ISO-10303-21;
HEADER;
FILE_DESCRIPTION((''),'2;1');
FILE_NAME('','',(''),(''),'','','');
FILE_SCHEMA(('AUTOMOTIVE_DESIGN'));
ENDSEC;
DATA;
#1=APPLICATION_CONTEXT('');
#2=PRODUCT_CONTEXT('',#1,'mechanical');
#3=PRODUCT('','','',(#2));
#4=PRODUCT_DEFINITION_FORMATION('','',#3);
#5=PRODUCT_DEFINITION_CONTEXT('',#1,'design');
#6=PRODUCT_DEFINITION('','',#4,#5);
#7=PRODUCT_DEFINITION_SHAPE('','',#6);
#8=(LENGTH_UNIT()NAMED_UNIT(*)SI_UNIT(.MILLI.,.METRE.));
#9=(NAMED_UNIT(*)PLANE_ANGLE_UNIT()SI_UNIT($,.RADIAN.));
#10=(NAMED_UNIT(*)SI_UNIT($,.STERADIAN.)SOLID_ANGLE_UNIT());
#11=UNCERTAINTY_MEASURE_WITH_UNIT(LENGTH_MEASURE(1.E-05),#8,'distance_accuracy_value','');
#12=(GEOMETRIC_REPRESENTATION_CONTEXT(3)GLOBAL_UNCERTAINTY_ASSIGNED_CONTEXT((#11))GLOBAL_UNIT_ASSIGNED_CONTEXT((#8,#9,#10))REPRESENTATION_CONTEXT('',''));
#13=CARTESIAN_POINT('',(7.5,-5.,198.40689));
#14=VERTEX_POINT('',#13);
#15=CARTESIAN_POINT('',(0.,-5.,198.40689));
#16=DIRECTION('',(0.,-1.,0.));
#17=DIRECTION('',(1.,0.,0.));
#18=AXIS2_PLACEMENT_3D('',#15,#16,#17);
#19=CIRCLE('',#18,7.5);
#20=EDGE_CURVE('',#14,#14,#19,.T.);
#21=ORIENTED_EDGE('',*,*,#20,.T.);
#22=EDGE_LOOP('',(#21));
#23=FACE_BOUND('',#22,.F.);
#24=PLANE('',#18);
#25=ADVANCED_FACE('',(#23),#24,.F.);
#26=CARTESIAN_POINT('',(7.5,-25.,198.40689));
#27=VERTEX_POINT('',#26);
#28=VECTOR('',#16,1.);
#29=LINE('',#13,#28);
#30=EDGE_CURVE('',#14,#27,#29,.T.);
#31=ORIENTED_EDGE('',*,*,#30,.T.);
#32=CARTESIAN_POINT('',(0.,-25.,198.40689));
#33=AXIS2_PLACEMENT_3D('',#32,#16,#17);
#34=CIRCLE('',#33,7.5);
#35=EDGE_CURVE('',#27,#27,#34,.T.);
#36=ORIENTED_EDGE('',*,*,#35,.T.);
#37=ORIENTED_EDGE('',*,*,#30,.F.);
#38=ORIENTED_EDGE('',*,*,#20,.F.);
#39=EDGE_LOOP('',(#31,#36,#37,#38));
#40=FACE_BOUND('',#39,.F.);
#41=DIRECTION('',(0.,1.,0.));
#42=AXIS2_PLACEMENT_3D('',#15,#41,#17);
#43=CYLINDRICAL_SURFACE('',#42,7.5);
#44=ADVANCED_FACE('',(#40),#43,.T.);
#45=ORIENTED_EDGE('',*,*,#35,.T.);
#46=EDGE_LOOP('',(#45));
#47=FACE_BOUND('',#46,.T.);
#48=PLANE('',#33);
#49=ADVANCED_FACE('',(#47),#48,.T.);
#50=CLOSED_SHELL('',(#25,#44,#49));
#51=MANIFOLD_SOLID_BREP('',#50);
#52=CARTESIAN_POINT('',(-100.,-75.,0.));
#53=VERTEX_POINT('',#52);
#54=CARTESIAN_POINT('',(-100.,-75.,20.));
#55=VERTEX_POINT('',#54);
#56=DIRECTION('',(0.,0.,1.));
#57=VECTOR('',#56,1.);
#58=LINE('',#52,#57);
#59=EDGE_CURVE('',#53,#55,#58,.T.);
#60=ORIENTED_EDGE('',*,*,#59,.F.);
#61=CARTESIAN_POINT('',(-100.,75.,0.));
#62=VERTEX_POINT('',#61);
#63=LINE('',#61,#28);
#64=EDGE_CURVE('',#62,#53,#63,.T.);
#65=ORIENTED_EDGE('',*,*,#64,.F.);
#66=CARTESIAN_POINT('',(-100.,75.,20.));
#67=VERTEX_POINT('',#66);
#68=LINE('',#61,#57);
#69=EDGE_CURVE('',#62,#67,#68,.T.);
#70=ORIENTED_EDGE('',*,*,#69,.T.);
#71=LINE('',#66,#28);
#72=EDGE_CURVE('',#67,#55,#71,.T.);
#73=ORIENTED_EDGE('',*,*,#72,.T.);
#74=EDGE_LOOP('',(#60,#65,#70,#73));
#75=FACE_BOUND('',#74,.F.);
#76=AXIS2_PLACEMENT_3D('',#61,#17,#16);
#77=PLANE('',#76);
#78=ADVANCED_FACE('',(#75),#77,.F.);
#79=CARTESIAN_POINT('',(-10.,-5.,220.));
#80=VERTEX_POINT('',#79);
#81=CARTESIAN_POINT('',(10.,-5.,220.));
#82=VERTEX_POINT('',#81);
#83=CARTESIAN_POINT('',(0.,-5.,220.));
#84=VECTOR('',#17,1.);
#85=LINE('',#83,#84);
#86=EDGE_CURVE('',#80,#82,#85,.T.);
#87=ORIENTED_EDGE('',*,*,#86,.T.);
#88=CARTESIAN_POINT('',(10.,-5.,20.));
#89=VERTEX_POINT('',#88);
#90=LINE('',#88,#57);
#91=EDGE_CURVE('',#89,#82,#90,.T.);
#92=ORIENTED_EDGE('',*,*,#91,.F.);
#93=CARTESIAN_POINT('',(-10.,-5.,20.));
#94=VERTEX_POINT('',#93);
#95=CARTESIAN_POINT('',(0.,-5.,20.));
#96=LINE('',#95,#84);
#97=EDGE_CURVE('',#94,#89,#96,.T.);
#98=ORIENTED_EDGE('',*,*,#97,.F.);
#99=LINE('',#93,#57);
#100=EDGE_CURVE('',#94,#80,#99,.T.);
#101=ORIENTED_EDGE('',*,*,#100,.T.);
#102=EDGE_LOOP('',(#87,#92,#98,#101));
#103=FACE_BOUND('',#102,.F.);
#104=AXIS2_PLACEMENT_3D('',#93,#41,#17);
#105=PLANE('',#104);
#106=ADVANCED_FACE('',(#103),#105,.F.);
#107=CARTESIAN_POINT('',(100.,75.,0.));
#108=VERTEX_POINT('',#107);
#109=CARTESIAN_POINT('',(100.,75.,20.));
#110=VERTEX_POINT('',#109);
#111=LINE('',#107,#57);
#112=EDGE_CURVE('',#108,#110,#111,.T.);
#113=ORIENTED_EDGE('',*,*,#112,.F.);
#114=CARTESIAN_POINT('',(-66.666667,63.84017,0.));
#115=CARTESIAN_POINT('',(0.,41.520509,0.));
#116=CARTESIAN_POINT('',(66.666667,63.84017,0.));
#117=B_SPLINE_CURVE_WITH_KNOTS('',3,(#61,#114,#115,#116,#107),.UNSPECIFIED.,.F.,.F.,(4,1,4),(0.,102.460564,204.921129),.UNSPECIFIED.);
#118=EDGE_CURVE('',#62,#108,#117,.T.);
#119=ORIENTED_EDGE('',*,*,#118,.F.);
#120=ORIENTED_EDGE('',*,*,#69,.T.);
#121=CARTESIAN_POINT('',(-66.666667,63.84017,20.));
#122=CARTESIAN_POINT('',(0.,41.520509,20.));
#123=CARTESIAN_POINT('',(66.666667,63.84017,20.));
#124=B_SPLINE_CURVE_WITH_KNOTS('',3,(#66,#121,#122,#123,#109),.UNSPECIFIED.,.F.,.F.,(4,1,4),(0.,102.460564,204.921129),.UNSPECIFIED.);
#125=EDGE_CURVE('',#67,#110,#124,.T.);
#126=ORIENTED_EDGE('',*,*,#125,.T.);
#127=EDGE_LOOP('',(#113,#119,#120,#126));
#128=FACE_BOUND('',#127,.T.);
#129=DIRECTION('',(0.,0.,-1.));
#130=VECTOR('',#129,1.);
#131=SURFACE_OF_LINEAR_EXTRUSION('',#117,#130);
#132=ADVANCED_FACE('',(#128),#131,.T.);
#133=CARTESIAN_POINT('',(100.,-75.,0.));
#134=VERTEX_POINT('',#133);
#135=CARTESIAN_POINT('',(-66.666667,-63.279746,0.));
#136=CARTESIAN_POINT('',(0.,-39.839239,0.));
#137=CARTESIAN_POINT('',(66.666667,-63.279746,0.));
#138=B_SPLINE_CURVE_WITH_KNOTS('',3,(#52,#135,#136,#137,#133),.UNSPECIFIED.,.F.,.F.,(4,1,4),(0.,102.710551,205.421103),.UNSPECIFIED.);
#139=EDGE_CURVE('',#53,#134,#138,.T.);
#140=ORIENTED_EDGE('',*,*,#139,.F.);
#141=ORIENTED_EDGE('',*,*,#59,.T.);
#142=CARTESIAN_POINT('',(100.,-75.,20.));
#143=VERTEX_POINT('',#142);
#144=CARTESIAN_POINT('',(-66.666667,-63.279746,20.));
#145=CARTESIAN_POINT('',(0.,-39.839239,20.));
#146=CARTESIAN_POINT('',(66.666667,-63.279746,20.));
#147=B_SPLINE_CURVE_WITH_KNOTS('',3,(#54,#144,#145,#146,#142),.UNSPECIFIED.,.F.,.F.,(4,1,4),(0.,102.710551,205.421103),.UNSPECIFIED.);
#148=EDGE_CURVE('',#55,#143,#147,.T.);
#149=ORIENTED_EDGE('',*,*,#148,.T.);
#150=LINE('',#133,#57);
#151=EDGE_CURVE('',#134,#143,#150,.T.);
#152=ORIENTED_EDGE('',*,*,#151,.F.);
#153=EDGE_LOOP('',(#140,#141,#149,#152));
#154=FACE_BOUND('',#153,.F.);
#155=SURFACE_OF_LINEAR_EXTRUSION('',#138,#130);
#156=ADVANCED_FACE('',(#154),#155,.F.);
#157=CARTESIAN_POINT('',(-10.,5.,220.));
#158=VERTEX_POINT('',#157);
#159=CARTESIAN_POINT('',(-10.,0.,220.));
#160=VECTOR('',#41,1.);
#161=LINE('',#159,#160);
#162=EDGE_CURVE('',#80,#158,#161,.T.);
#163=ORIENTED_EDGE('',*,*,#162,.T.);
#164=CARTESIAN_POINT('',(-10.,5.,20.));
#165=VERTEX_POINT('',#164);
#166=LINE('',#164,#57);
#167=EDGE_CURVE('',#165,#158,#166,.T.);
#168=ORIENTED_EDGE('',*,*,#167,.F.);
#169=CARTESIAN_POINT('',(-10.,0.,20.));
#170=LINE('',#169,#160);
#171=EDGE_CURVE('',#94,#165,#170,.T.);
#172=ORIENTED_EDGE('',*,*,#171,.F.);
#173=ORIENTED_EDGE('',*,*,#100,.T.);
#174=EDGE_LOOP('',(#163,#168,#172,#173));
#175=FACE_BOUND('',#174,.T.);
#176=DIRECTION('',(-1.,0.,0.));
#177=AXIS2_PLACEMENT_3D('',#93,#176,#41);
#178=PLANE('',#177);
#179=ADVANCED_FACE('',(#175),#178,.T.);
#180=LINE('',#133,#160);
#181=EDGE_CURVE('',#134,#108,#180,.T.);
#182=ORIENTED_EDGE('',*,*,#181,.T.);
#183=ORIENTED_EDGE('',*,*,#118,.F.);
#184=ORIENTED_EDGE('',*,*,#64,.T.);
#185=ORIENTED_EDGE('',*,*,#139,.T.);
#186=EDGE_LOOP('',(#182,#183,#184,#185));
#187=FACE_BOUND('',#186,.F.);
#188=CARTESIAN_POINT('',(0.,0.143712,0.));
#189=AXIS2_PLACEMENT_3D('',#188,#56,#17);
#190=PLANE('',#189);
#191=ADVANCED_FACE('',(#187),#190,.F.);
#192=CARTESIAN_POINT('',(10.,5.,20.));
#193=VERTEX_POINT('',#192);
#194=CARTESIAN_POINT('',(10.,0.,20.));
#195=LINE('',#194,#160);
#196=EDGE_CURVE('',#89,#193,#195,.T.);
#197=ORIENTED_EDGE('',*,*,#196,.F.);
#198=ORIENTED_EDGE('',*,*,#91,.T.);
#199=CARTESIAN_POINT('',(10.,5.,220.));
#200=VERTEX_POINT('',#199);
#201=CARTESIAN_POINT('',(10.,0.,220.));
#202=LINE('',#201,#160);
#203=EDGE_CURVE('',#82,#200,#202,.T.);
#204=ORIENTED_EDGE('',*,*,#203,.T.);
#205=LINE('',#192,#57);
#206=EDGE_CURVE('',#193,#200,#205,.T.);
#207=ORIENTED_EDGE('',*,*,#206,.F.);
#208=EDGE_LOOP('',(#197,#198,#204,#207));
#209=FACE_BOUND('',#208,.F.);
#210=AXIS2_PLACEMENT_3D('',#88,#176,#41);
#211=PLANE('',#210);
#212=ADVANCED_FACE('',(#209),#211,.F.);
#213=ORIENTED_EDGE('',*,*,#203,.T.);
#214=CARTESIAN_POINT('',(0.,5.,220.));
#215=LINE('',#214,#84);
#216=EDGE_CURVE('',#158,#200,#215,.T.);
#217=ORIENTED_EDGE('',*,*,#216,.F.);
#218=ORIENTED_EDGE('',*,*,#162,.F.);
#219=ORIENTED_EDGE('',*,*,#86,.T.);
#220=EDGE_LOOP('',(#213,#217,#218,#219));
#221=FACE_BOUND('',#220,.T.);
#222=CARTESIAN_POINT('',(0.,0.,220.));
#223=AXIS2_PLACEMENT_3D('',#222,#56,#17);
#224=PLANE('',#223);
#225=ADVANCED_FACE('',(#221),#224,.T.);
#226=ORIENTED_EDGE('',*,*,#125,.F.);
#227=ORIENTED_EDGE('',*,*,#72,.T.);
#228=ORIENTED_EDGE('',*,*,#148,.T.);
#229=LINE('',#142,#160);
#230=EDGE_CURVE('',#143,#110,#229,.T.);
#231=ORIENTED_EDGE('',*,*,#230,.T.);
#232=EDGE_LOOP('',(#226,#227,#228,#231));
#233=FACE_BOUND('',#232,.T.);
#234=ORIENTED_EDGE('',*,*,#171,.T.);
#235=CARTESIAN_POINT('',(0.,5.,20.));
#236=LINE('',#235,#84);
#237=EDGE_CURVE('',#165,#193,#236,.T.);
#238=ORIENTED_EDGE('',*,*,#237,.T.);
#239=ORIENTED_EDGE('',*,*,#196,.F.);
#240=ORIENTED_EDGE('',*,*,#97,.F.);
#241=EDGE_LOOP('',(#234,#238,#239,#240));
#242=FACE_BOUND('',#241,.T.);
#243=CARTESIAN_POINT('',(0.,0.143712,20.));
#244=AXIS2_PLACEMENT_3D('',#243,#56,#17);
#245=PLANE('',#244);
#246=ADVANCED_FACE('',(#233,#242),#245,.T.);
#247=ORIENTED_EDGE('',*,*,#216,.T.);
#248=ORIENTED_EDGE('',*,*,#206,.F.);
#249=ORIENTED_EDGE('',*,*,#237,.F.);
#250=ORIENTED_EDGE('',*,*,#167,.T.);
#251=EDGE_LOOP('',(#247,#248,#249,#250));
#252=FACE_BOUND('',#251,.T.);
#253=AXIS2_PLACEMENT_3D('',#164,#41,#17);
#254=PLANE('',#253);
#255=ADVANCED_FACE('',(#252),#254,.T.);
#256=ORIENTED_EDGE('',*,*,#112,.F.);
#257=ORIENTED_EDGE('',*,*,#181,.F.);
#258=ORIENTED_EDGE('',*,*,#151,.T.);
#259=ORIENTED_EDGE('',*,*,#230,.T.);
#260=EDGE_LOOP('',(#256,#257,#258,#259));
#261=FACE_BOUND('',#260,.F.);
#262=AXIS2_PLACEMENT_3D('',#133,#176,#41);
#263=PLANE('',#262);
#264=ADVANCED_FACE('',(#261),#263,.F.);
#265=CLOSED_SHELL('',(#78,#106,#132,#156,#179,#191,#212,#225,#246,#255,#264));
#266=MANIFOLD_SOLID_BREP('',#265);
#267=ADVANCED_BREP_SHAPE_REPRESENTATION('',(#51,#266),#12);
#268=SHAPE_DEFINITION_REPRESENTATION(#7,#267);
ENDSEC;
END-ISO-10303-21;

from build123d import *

# Parameters (mm, degrees)
F1_DEPTH = 20
F2_W     = 20
F2_H     = 10
F3_DEPTH = 200
F4_R     = 7.5
F5_DEPTH = 20


with BuildPart() as f1:
    # F0 (on Top) → F1 (new body)
    with BuildSketch(Plane.XY):
        with BuildLine():
            add(Edge.make_bspline(
                [(-100, -75), (-66.666667, -63.279746), (0, -39.839239), (66.666667, -63.279746), (100, -75)],
                knots=[0, 0, 0, 0, 102.710551, 205.421103, 205.421103, 205.421103, 205.421103], degree=3))
            Line((100, -75), (100, 75))
            add(Edge.make_bspline(
                [(-100, 75), (-66.666667, 63.84017), (0, 41.520509), (66.666667, 63.84017), (100, 75)],
                knots=[0, 0, 0, 0, 102.460564, 204.921129, 204.921129, 204.921129, 204.921129], degree=3))
            Line((-100, 75), (-100, -75))
        make_face()
    extrude(amount=F1_DEPTH)

    # F2 (on face) → F3 (join)
    with BuildSketch(Plane.XY.offset(20)):
        Rectangle(F2_W, F2_H)
    extrude(amount=F3_DEPTH)


with BuildPart() as f5:
    # F4 (on face) → F5 (new body)
    with BuildSketch(Plane.XZ.offset(5)):
        with Locations((0, 198.40689)):
            Circle(F4_R)
    extrude(amount=F5_DEPTH)


solid = Compound([f1.part, f5.part])
